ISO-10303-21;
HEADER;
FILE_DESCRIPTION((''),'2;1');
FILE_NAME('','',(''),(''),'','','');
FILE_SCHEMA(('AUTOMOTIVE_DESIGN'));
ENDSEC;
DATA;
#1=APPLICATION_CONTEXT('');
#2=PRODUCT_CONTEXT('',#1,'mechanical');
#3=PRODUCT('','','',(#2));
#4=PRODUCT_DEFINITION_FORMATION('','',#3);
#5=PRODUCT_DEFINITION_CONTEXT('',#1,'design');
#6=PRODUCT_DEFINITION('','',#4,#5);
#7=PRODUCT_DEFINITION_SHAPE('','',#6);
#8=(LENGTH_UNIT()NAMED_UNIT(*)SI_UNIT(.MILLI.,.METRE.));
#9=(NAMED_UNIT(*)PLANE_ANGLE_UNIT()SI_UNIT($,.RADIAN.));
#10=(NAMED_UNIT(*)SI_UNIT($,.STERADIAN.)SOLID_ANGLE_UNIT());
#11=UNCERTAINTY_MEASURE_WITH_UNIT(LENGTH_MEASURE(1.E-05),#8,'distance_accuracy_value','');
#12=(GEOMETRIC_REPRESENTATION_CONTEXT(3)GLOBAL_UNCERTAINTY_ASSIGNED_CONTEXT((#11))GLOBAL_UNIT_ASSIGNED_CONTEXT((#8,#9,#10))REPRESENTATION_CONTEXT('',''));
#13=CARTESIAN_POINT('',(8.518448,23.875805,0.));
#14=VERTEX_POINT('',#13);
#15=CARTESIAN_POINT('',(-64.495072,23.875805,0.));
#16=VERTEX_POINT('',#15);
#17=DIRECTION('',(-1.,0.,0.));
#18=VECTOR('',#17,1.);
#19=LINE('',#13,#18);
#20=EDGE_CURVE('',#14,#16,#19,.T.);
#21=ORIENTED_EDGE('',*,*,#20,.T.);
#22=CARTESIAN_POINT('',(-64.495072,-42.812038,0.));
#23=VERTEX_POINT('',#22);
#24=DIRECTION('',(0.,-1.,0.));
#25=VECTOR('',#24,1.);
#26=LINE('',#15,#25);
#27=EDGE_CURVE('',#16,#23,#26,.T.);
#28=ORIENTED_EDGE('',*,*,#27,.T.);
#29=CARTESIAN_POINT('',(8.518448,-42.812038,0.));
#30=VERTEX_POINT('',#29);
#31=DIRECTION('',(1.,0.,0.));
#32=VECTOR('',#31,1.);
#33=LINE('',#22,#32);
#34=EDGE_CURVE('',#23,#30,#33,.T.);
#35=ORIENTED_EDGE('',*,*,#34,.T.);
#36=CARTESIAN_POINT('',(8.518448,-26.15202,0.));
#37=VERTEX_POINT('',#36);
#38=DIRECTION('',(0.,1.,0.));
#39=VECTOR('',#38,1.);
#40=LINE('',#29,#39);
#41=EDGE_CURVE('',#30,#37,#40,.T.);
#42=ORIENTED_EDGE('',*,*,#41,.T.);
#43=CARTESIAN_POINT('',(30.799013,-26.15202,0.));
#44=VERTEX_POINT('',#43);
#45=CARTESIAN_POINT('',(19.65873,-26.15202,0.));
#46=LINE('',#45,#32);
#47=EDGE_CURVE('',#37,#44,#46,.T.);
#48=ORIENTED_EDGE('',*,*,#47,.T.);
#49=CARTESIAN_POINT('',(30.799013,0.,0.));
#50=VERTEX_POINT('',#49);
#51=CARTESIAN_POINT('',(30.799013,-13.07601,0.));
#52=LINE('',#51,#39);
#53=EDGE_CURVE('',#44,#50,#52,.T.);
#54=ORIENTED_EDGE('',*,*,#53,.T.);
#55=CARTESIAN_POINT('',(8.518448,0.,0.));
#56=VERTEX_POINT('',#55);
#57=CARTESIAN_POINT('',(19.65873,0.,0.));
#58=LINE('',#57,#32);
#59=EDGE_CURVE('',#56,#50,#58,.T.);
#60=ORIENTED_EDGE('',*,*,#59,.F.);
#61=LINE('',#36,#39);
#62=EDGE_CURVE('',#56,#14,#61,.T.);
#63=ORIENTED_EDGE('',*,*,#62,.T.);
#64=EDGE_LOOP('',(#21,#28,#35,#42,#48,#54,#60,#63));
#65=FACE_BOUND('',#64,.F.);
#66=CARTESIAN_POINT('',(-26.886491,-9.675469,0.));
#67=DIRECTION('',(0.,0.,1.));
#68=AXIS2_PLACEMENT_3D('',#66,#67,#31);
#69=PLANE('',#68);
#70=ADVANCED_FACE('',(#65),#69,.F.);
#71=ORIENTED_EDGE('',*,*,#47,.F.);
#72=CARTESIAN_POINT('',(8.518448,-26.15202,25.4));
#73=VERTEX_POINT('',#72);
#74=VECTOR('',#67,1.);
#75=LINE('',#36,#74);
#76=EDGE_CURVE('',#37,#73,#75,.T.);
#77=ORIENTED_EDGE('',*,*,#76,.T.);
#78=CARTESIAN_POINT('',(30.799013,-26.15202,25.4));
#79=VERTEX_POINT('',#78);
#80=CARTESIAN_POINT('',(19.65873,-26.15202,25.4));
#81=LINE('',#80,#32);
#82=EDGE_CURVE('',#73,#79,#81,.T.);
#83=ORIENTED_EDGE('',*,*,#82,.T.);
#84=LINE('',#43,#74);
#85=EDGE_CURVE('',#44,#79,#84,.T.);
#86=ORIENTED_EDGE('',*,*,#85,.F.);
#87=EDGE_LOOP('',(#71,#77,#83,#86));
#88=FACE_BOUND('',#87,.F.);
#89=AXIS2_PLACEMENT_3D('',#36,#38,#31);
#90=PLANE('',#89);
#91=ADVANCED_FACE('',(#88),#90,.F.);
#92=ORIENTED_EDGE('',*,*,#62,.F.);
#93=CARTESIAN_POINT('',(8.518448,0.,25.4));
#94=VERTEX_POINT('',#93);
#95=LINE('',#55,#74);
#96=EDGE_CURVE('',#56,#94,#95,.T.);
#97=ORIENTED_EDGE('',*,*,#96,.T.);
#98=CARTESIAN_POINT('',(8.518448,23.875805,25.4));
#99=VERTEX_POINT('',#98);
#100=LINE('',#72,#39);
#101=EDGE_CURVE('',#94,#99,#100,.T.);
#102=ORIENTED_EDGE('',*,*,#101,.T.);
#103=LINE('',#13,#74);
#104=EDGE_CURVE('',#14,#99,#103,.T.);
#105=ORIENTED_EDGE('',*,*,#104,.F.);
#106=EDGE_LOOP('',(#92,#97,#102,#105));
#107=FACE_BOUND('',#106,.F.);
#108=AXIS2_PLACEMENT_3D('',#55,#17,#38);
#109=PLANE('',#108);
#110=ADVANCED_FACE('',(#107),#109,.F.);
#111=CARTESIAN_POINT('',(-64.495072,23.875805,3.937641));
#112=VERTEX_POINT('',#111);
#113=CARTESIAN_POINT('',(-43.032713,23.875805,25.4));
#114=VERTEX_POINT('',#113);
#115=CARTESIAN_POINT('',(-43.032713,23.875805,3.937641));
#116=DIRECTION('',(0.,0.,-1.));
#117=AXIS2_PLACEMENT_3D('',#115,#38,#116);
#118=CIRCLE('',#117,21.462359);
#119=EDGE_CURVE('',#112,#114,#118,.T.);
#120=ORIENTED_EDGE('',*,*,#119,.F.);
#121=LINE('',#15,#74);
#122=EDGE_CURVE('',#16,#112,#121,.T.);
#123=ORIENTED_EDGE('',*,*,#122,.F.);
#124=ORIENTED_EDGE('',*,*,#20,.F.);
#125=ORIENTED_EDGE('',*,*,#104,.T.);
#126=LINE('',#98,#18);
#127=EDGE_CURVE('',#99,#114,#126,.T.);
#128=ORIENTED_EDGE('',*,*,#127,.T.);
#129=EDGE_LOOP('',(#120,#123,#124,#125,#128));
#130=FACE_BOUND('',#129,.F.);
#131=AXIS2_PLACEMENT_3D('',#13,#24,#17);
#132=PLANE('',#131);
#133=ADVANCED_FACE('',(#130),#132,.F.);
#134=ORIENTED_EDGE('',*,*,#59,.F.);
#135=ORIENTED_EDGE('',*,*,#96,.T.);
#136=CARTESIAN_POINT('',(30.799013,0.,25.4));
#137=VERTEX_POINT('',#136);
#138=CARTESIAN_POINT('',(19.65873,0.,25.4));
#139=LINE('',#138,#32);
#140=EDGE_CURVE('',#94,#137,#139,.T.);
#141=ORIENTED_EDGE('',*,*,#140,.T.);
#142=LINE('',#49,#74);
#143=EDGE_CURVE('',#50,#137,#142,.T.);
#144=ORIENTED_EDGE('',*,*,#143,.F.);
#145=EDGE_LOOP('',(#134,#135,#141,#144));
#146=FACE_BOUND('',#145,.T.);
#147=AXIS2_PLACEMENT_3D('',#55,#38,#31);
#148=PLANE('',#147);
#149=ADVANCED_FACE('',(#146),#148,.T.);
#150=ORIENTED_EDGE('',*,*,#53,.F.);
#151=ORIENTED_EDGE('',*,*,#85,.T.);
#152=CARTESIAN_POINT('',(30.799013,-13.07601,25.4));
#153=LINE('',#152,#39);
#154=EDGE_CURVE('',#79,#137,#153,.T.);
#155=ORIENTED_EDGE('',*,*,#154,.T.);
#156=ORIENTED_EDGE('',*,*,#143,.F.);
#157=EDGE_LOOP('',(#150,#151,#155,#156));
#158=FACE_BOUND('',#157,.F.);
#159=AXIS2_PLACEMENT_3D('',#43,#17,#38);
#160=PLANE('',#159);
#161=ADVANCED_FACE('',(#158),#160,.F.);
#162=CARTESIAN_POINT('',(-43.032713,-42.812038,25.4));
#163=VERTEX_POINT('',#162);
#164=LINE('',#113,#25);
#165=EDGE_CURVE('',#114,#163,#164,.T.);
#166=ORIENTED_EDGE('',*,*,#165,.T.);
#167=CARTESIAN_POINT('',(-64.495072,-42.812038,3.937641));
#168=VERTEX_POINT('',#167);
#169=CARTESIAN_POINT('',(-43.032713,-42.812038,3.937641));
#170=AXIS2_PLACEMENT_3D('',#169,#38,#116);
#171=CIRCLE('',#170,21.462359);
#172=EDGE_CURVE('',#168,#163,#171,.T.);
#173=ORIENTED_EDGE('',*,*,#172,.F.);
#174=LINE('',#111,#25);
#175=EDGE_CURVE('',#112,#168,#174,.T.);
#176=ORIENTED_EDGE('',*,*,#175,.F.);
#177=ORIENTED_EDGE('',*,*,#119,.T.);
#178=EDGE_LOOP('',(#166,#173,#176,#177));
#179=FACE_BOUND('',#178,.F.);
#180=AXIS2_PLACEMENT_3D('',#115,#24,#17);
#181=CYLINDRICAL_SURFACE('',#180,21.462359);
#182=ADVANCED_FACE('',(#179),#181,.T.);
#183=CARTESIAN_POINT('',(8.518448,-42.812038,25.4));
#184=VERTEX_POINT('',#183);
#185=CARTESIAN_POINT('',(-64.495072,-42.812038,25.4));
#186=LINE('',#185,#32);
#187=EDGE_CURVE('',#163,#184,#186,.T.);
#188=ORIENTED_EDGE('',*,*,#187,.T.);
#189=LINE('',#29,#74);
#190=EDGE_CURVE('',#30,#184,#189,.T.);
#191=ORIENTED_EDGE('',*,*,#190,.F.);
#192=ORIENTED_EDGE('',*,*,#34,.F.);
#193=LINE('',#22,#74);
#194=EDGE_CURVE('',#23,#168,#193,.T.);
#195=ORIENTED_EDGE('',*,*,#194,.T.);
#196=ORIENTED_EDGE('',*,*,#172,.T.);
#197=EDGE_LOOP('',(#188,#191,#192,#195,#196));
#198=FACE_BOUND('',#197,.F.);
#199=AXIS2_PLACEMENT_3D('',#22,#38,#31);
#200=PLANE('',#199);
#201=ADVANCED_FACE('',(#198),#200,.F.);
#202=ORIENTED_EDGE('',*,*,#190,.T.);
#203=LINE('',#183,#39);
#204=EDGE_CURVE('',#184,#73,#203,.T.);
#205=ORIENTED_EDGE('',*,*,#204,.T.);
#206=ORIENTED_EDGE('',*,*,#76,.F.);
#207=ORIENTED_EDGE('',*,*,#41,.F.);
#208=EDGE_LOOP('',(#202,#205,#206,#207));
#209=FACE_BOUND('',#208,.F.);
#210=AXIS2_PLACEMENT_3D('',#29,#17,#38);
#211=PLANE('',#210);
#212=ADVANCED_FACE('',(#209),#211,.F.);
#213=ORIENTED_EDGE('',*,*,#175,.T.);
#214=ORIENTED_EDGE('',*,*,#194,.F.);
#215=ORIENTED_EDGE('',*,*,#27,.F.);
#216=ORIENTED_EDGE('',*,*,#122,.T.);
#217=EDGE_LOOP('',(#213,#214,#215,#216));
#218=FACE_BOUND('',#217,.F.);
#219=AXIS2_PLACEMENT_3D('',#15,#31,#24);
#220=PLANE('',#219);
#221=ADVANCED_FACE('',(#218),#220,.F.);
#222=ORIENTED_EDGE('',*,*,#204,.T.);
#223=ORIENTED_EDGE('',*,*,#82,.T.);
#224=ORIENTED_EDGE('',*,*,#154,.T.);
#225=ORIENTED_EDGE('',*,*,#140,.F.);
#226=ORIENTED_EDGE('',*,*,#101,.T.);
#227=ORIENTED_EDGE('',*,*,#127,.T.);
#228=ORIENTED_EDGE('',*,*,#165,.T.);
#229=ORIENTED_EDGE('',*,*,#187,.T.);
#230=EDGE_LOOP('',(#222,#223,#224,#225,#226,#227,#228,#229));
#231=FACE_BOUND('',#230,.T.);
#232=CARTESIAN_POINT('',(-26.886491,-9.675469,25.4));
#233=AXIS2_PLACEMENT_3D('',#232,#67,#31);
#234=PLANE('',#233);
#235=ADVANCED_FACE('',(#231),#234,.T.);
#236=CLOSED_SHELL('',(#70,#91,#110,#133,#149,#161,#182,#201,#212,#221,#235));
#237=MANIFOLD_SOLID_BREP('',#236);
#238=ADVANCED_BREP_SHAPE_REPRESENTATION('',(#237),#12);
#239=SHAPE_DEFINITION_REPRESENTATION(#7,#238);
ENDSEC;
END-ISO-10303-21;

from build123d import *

# Parameters (mm, degrees)
F0_W     = 8.5184480995
F0_H     = 26.1520203203
F0_W_2   = 22.2805645317
F1_DEPTH = 25.4
F2_R     = 21.4623585695
F3_W     = 22.7771224454
F3_H     = 30.0578936003
F4_DEPTH = 3.81


with BuildPart() as f1:
    # F0 (on Top) → F1 (new body)
    with BuildSketch(Plane.XY):
        Polygon((-64.4950717688, 23.875804618), (-64.4950717688, -42.812038213), (8.5184480995, -42.812038213), (8.5184480995, -26.1520203203), (0, -26.1520203203), (0, 0), (8.5184480995, 0), (8.5184480995, 23.875804618), align=None)
        with Locations((4.2592240497, -13.0760101601)):
            Rectangle(F0_W, F0_H)
        with Locations((19.6587303653, -13.0760101601)):
            Rectangle(F0_W_2, F0_H)
    extrude(amount=F1_DEPTH)

    # F2
    f2_edges = [f1.edges().sort_by_distance(p)[0] for p in [
        (-64.495072, -9.468117, 25.4),
    ]]
    fillet(f2_edges, radius=F2_R)

    # F3 (on face) → F4 (join)
    with BuildSketch(Plane.XY.offset(25.4)):
        with Locations((-21.1946009658, -9.6237577964)):
            Rectangle(F3_W, F3_H)
    extrude(amount=-F4_DEPTH)


solid = f1.part
